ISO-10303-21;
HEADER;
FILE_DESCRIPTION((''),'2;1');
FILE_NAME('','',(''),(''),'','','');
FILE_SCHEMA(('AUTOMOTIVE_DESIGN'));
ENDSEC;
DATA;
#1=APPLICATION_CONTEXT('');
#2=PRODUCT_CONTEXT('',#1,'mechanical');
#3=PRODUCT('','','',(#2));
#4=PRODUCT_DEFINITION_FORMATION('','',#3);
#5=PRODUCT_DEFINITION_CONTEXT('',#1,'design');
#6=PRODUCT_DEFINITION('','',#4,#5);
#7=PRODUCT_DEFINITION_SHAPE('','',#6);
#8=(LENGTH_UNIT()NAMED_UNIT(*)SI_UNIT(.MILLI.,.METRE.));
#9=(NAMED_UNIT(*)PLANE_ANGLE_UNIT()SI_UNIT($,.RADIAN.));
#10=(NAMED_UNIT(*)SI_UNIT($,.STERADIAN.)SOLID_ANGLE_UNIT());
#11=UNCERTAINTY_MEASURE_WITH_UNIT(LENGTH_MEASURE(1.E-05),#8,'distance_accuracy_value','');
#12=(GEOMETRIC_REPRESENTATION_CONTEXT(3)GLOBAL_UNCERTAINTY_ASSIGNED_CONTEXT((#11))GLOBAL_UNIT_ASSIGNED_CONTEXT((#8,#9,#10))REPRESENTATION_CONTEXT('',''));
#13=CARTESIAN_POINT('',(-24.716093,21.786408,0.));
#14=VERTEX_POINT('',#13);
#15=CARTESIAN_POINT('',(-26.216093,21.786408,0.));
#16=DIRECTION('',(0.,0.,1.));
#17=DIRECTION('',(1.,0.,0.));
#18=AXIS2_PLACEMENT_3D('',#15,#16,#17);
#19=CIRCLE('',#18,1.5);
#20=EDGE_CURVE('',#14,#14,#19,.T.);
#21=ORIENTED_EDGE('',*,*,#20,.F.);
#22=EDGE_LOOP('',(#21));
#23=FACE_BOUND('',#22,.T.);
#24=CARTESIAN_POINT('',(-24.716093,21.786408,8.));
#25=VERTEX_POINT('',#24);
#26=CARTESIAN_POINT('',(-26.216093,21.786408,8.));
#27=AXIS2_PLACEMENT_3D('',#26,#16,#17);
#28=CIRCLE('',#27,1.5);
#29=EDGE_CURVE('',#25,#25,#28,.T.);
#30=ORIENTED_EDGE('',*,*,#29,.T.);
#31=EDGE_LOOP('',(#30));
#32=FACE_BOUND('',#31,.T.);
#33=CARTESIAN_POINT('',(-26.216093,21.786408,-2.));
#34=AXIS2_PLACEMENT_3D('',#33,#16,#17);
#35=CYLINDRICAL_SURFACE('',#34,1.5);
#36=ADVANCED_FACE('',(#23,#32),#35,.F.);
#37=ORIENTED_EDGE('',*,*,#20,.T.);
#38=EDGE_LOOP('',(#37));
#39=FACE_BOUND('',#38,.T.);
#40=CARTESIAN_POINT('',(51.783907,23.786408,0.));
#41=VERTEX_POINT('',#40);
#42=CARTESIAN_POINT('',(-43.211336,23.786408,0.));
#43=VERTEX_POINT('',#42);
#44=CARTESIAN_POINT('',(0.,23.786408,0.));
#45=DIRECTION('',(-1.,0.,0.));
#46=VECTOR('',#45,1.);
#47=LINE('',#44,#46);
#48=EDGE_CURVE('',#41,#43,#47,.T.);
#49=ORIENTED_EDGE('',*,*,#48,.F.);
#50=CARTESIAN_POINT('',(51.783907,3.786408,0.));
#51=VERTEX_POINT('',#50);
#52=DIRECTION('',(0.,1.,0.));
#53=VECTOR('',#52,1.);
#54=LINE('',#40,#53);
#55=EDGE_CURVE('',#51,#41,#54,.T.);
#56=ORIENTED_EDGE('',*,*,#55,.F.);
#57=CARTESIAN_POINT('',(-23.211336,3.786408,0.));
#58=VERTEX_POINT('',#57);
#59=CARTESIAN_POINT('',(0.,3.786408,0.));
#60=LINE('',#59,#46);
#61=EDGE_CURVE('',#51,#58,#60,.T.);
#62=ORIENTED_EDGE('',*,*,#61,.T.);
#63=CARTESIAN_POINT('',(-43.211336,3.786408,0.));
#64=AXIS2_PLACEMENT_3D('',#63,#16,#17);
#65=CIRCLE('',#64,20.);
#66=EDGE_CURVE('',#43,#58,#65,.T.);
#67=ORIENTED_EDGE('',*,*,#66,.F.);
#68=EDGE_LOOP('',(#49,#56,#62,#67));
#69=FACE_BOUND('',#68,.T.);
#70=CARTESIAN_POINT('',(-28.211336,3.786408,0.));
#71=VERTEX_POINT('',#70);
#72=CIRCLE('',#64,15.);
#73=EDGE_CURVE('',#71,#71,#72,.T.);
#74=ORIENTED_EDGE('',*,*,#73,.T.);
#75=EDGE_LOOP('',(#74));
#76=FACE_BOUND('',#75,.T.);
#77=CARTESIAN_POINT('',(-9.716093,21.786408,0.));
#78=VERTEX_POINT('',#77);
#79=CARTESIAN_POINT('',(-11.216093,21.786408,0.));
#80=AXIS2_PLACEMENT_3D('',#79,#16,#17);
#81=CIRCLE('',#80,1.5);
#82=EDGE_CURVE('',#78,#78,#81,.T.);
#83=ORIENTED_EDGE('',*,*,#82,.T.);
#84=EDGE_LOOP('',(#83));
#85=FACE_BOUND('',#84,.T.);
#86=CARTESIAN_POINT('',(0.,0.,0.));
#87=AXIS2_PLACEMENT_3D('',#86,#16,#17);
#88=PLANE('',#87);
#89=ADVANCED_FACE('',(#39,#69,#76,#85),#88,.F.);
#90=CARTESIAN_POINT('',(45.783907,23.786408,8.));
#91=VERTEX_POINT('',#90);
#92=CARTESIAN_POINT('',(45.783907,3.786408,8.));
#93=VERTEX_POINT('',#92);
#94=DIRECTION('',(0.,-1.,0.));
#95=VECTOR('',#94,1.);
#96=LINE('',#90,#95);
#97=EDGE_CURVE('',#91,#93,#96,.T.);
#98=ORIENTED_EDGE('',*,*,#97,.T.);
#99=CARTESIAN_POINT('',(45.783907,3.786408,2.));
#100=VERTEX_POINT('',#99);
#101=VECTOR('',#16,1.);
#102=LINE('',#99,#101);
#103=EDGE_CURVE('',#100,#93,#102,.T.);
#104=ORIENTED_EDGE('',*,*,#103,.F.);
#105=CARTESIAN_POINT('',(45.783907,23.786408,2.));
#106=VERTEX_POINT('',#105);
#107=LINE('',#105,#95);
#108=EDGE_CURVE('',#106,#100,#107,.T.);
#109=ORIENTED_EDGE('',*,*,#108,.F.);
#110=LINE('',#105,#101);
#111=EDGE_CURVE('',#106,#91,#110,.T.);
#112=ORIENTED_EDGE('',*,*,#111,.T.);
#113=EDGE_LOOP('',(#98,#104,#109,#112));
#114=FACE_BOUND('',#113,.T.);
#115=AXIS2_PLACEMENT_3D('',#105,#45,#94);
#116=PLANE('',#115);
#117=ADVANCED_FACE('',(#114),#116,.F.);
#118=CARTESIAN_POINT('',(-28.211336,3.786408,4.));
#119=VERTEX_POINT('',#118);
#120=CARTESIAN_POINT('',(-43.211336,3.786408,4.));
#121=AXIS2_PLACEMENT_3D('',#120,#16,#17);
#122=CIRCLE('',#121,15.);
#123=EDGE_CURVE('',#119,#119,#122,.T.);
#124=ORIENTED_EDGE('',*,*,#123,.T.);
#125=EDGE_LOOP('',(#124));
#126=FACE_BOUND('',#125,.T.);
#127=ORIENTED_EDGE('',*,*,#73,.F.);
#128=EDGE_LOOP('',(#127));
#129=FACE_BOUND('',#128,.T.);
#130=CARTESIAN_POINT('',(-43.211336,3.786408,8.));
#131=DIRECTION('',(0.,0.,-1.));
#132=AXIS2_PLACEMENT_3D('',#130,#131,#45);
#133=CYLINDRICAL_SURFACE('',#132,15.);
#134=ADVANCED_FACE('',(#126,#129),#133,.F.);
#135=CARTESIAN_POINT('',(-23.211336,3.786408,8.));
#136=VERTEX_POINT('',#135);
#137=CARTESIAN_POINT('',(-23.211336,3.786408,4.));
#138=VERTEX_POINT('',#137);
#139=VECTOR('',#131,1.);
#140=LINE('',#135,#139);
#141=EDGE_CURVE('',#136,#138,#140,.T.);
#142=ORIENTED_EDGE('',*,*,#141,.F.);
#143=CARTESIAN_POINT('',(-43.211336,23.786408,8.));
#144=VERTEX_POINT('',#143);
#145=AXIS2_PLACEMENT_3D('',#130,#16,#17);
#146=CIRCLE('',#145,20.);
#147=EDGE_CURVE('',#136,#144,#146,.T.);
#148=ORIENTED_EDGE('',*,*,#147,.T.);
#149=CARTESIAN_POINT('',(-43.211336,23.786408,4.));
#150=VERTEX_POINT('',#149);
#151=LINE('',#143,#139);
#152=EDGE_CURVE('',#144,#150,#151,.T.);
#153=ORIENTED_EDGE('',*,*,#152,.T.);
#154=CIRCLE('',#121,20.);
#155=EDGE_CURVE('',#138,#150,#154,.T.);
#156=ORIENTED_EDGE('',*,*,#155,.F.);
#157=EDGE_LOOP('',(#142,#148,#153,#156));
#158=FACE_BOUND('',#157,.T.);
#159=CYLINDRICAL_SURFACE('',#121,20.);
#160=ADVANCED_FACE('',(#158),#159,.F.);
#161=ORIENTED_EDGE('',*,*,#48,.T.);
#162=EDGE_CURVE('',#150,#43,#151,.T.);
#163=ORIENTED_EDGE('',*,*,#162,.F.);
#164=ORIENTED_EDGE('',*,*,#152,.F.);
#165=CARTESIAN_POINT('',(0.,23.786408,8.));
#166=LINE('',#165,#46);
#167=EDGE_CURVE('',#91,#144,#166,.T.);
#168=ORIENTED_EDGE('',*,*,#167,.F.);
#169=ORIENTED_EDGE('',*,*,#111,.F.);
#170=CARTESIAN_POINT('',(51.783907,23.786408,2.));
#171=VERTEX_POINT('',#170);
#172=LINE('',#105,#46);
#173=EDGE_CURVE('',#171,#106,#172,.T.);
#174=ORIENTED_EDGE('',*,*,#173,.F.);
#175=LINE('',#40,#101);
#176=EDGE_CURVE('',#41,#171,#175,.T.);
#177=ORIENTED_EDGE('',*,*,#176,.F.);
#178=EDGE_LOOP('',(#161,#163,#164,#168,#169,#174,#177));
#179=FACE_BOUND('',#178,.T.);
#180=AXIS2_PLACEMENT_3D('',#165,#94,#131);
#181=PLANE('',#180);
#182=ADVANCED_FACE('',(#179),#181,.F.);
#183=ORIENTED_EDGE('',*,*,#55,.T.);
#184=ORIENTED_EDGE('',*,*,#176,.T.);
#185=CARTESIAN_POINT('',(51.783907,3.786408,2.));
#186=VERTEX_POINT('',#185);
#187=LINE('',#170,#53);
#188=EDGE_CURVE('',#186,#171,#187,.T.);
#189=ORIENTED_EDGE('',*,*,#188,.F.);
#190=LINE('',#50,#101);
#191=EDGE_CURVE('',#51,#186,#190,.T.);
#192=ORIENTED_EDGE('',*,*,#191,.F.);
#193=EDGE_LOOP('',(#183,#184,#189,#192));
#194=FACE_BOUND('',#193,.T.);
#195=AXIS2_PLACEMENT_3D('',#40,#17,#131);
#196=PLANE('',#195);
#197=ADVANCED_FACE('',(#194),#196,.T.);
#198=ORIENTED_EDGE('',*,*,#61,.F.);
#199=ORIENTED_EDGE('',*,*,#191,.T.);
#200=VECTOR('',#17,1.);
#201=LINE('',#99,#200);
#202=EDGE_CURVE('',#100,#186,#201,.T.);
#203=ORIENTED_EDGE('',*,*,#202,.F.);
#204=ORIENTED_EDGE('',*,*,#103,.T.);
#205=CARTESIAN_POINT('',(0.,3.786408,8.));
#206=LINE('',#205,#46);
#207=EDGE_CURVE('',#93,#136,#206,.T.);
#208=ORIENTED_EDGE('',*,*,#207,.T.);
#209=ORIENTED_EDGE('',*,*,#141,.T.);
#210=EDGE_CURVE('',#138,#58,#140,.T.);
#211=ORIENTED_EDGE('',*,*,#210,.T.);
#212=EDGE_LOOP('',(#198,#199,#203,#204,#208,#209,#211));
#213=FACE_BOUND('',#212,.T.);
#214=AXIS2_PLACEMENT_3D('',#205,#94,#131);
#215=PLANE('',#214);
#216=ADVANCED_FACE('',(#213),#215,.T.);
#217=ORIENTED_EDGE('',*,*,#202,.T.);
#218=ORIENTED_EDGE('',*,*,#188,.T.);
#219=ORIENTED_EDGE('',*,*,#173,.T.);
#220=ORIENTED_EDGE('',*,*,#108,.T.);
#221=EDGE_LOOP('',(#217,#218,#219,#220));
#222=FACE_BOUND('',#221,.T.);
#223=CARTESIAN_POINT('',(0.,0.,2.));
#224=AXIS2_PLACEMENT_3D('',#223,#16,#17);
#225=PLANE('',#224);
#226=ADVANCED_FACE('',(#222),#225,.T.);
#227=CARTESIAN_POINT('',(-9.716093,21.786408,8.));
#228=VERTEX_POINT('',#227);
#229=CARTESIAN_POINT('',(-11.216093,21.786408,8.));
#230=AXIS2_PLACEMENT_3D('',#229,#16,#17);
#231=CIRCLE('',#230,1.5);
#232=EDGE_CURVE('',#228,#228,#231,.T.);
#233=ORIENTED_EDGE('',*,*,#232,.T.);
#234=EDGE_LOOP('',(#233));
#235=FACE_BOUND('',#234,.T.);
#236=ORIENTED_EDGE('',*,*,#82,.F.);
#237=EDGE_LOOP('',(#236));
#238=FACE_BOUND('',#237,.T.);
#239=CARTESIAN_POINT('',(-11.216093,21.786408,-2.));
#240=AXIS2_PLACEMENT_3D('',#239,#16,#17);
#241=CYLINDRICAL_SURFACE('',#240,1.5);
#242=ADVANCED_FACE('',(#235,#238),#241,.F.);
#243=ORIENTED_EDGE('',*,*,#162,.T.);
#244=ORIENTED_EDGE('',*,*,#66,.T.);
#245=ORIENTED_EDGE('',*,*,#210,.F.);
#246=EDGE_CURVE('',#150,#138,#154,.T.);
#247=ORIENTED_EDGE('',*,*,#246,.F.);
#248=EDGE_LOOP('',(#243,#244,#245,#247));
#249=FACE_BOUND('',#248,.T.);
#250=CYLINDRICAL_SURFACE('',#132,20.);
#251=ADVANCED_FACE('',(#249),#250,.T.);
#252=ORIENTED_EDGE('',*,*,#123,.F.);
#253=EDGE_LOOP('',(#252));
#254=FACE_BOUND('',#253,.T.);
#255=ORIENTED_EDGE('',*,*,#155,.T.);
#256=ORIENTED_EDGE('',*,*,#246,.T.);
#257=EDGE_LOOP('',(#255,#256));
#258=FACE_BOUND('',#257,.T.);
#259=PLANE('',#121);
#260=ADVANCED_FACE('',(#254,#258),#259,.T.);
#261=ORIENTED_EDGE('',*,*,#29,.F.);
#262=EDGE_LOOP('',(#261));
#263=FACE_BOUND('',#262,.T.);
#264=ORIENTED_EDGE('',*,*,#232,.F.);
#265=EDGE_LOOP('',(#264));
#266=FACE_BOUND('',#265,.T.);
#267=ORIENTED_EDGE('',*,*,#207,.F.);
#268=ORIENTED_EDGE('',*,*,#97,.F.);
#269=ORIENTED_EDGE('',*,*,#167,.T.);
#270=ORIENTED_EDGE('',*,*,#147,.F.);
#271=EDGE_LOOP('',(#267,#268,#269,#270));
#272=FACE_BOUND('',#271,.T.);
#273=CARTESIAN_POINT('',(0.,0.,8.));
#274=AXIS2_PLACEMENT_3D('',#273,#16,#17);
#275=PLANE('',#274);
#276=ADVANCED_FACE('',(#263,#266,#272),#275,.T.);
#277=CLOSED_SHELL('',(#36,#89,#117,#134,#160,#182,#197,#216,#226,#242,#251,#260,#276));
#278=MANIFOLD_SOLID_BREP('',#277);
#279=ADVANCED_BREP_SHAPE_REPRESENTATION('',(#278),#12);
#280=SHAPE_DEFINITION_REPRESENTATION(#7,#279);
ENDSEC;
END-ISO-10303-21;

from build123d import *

# Parameters (mm, degrees)
BOSS_EXTRU_1_DEPTH      = 8
ESQUISSE2_R             = 20
ESQUISSE2_R_2           = 15
ENL_V_MAT_EXTRU_1_DEPTH = 4
ESQUISSE3_W             = 9.17
ESQUISSE3_H             = 20
BOSS_EXTRU_2_DEPTH      = 8
ESQUISSE7_W             = 6
ESQUISSE7_H             = 20
ENL_V_MAT_EXTRU_5_DEPTH = 6
ESQUISSE8_R             = 1.5
ENL_V_MAT_EXTRU_6_DEPTH = 10


with BuildPart() as part:
    # Esquisse1 → Boss.-Extru.1 (new body)
    with BuildSketch(Plane.XY):
        with BuildLine():
            Line((42.613906887, 3.786407767), (42.613906887, 23.786407767))
            Line((42.613906887, 23.786407767), (-43.211335831, 23.786407767))
            ThreePointArc((-43.211335831, 23.786407767), (-29.069200208, 17.928543391), (-23.211335831, 3.786407767))
            Line((-23.211335831, 3.786407767), (42.613906887, 3.786407767))
        make_face()
        with BuildLine():
            ThreePointArc((-23.211335831, 3.786407767), (-29.069200208, 17.928543391), (-43.211335831, 23.786407767))
            Line((-43.211335831, 23.786407767), (-43.211335831, 18.786407767))
            ThreePointArc((-43.211335831, 18.786407767), (-32.604734113, 14.393009485), (-28.211335831, 3.786407767))
            Line((-28.211335831, 3.786407767), (-23.211335831, 3.786407767))
        make_face()
        with BuildLine():
            Line((-43.211335831, 18.786407767), (-43.211335831, 23.786407767))
            ThreePointArc((-43.211335831, 23.786407767), (-57.353471455, -10.355727857), (-23.211335831, 3.786407767))
            Line((-23.211335831, 3.786407767), (-28.211335831, 3.786407767))
            ThreePointArc((-28.211335831, 3.786407767), (-53.817937549, -6.820193951), (-43.211335831, 18.786407767))
        make_face()
    extrude(amount=BOSS_EXTRU_1_DEPTH)

    # Esquisse2 → Enlèv. mat.-Extru.1 (cut)
    with BuildSketch(Plane.XY.offset(8)):
        with Locations((-43.211335831, 3.786407767)):
            Circle(ESQUISSE2_R)
        with Locations((-43.211335831, 3.786407767)):
            Circle(ESQUISSE2_R_2, mode=Mode.SUBTRACT)
    extrude(amount=-ENL_V_MAT_EXTRU_1_DEPTH, mode=Mode.SUBTRACT)

    # Esquisse3 → Boss.-Extru.2 (add)
    with BuildSketch(Plane.XY.offset(8)):
        with Locations((47.198906887, 13.786407767)):
            Rectangle(ESQUISSE3_W, ESQUISSE3_H)
    extrude(amount=-BOSS_EXTRU_2_DEPTH)

    # Esquisse7 → Enlèv. mat.-Extru.5 (cut)
    with BuildSketch(Plane.XY.offset(8)):
        with Locations((48.783906887, 13.786407767)):
            Rectangle(ESQUISSE7_W, ESQUISSE7_H)
    extrude(amount=-ENL_V_MAT_EXTRU_5_DEPTH, mode=Mode.SUBTRACT)

    # Esquisse8 → Enlèv. mat.-Extru.6 (cut)
    with BuildSketch(Plane.XY.offset(8)):
        with Locations((-26.216093113, 21.786407767)):
            Circle(ESQUISSE8_R)
        with Locations((-11.216093113, 21.786407767)):
            Circle(ESQUISSE8_R)
    extrude(amount=-ENL_V_MAT_EXTRU_6_DEPTH, mode=Mode.SUBTRACT)


solid = part.part
